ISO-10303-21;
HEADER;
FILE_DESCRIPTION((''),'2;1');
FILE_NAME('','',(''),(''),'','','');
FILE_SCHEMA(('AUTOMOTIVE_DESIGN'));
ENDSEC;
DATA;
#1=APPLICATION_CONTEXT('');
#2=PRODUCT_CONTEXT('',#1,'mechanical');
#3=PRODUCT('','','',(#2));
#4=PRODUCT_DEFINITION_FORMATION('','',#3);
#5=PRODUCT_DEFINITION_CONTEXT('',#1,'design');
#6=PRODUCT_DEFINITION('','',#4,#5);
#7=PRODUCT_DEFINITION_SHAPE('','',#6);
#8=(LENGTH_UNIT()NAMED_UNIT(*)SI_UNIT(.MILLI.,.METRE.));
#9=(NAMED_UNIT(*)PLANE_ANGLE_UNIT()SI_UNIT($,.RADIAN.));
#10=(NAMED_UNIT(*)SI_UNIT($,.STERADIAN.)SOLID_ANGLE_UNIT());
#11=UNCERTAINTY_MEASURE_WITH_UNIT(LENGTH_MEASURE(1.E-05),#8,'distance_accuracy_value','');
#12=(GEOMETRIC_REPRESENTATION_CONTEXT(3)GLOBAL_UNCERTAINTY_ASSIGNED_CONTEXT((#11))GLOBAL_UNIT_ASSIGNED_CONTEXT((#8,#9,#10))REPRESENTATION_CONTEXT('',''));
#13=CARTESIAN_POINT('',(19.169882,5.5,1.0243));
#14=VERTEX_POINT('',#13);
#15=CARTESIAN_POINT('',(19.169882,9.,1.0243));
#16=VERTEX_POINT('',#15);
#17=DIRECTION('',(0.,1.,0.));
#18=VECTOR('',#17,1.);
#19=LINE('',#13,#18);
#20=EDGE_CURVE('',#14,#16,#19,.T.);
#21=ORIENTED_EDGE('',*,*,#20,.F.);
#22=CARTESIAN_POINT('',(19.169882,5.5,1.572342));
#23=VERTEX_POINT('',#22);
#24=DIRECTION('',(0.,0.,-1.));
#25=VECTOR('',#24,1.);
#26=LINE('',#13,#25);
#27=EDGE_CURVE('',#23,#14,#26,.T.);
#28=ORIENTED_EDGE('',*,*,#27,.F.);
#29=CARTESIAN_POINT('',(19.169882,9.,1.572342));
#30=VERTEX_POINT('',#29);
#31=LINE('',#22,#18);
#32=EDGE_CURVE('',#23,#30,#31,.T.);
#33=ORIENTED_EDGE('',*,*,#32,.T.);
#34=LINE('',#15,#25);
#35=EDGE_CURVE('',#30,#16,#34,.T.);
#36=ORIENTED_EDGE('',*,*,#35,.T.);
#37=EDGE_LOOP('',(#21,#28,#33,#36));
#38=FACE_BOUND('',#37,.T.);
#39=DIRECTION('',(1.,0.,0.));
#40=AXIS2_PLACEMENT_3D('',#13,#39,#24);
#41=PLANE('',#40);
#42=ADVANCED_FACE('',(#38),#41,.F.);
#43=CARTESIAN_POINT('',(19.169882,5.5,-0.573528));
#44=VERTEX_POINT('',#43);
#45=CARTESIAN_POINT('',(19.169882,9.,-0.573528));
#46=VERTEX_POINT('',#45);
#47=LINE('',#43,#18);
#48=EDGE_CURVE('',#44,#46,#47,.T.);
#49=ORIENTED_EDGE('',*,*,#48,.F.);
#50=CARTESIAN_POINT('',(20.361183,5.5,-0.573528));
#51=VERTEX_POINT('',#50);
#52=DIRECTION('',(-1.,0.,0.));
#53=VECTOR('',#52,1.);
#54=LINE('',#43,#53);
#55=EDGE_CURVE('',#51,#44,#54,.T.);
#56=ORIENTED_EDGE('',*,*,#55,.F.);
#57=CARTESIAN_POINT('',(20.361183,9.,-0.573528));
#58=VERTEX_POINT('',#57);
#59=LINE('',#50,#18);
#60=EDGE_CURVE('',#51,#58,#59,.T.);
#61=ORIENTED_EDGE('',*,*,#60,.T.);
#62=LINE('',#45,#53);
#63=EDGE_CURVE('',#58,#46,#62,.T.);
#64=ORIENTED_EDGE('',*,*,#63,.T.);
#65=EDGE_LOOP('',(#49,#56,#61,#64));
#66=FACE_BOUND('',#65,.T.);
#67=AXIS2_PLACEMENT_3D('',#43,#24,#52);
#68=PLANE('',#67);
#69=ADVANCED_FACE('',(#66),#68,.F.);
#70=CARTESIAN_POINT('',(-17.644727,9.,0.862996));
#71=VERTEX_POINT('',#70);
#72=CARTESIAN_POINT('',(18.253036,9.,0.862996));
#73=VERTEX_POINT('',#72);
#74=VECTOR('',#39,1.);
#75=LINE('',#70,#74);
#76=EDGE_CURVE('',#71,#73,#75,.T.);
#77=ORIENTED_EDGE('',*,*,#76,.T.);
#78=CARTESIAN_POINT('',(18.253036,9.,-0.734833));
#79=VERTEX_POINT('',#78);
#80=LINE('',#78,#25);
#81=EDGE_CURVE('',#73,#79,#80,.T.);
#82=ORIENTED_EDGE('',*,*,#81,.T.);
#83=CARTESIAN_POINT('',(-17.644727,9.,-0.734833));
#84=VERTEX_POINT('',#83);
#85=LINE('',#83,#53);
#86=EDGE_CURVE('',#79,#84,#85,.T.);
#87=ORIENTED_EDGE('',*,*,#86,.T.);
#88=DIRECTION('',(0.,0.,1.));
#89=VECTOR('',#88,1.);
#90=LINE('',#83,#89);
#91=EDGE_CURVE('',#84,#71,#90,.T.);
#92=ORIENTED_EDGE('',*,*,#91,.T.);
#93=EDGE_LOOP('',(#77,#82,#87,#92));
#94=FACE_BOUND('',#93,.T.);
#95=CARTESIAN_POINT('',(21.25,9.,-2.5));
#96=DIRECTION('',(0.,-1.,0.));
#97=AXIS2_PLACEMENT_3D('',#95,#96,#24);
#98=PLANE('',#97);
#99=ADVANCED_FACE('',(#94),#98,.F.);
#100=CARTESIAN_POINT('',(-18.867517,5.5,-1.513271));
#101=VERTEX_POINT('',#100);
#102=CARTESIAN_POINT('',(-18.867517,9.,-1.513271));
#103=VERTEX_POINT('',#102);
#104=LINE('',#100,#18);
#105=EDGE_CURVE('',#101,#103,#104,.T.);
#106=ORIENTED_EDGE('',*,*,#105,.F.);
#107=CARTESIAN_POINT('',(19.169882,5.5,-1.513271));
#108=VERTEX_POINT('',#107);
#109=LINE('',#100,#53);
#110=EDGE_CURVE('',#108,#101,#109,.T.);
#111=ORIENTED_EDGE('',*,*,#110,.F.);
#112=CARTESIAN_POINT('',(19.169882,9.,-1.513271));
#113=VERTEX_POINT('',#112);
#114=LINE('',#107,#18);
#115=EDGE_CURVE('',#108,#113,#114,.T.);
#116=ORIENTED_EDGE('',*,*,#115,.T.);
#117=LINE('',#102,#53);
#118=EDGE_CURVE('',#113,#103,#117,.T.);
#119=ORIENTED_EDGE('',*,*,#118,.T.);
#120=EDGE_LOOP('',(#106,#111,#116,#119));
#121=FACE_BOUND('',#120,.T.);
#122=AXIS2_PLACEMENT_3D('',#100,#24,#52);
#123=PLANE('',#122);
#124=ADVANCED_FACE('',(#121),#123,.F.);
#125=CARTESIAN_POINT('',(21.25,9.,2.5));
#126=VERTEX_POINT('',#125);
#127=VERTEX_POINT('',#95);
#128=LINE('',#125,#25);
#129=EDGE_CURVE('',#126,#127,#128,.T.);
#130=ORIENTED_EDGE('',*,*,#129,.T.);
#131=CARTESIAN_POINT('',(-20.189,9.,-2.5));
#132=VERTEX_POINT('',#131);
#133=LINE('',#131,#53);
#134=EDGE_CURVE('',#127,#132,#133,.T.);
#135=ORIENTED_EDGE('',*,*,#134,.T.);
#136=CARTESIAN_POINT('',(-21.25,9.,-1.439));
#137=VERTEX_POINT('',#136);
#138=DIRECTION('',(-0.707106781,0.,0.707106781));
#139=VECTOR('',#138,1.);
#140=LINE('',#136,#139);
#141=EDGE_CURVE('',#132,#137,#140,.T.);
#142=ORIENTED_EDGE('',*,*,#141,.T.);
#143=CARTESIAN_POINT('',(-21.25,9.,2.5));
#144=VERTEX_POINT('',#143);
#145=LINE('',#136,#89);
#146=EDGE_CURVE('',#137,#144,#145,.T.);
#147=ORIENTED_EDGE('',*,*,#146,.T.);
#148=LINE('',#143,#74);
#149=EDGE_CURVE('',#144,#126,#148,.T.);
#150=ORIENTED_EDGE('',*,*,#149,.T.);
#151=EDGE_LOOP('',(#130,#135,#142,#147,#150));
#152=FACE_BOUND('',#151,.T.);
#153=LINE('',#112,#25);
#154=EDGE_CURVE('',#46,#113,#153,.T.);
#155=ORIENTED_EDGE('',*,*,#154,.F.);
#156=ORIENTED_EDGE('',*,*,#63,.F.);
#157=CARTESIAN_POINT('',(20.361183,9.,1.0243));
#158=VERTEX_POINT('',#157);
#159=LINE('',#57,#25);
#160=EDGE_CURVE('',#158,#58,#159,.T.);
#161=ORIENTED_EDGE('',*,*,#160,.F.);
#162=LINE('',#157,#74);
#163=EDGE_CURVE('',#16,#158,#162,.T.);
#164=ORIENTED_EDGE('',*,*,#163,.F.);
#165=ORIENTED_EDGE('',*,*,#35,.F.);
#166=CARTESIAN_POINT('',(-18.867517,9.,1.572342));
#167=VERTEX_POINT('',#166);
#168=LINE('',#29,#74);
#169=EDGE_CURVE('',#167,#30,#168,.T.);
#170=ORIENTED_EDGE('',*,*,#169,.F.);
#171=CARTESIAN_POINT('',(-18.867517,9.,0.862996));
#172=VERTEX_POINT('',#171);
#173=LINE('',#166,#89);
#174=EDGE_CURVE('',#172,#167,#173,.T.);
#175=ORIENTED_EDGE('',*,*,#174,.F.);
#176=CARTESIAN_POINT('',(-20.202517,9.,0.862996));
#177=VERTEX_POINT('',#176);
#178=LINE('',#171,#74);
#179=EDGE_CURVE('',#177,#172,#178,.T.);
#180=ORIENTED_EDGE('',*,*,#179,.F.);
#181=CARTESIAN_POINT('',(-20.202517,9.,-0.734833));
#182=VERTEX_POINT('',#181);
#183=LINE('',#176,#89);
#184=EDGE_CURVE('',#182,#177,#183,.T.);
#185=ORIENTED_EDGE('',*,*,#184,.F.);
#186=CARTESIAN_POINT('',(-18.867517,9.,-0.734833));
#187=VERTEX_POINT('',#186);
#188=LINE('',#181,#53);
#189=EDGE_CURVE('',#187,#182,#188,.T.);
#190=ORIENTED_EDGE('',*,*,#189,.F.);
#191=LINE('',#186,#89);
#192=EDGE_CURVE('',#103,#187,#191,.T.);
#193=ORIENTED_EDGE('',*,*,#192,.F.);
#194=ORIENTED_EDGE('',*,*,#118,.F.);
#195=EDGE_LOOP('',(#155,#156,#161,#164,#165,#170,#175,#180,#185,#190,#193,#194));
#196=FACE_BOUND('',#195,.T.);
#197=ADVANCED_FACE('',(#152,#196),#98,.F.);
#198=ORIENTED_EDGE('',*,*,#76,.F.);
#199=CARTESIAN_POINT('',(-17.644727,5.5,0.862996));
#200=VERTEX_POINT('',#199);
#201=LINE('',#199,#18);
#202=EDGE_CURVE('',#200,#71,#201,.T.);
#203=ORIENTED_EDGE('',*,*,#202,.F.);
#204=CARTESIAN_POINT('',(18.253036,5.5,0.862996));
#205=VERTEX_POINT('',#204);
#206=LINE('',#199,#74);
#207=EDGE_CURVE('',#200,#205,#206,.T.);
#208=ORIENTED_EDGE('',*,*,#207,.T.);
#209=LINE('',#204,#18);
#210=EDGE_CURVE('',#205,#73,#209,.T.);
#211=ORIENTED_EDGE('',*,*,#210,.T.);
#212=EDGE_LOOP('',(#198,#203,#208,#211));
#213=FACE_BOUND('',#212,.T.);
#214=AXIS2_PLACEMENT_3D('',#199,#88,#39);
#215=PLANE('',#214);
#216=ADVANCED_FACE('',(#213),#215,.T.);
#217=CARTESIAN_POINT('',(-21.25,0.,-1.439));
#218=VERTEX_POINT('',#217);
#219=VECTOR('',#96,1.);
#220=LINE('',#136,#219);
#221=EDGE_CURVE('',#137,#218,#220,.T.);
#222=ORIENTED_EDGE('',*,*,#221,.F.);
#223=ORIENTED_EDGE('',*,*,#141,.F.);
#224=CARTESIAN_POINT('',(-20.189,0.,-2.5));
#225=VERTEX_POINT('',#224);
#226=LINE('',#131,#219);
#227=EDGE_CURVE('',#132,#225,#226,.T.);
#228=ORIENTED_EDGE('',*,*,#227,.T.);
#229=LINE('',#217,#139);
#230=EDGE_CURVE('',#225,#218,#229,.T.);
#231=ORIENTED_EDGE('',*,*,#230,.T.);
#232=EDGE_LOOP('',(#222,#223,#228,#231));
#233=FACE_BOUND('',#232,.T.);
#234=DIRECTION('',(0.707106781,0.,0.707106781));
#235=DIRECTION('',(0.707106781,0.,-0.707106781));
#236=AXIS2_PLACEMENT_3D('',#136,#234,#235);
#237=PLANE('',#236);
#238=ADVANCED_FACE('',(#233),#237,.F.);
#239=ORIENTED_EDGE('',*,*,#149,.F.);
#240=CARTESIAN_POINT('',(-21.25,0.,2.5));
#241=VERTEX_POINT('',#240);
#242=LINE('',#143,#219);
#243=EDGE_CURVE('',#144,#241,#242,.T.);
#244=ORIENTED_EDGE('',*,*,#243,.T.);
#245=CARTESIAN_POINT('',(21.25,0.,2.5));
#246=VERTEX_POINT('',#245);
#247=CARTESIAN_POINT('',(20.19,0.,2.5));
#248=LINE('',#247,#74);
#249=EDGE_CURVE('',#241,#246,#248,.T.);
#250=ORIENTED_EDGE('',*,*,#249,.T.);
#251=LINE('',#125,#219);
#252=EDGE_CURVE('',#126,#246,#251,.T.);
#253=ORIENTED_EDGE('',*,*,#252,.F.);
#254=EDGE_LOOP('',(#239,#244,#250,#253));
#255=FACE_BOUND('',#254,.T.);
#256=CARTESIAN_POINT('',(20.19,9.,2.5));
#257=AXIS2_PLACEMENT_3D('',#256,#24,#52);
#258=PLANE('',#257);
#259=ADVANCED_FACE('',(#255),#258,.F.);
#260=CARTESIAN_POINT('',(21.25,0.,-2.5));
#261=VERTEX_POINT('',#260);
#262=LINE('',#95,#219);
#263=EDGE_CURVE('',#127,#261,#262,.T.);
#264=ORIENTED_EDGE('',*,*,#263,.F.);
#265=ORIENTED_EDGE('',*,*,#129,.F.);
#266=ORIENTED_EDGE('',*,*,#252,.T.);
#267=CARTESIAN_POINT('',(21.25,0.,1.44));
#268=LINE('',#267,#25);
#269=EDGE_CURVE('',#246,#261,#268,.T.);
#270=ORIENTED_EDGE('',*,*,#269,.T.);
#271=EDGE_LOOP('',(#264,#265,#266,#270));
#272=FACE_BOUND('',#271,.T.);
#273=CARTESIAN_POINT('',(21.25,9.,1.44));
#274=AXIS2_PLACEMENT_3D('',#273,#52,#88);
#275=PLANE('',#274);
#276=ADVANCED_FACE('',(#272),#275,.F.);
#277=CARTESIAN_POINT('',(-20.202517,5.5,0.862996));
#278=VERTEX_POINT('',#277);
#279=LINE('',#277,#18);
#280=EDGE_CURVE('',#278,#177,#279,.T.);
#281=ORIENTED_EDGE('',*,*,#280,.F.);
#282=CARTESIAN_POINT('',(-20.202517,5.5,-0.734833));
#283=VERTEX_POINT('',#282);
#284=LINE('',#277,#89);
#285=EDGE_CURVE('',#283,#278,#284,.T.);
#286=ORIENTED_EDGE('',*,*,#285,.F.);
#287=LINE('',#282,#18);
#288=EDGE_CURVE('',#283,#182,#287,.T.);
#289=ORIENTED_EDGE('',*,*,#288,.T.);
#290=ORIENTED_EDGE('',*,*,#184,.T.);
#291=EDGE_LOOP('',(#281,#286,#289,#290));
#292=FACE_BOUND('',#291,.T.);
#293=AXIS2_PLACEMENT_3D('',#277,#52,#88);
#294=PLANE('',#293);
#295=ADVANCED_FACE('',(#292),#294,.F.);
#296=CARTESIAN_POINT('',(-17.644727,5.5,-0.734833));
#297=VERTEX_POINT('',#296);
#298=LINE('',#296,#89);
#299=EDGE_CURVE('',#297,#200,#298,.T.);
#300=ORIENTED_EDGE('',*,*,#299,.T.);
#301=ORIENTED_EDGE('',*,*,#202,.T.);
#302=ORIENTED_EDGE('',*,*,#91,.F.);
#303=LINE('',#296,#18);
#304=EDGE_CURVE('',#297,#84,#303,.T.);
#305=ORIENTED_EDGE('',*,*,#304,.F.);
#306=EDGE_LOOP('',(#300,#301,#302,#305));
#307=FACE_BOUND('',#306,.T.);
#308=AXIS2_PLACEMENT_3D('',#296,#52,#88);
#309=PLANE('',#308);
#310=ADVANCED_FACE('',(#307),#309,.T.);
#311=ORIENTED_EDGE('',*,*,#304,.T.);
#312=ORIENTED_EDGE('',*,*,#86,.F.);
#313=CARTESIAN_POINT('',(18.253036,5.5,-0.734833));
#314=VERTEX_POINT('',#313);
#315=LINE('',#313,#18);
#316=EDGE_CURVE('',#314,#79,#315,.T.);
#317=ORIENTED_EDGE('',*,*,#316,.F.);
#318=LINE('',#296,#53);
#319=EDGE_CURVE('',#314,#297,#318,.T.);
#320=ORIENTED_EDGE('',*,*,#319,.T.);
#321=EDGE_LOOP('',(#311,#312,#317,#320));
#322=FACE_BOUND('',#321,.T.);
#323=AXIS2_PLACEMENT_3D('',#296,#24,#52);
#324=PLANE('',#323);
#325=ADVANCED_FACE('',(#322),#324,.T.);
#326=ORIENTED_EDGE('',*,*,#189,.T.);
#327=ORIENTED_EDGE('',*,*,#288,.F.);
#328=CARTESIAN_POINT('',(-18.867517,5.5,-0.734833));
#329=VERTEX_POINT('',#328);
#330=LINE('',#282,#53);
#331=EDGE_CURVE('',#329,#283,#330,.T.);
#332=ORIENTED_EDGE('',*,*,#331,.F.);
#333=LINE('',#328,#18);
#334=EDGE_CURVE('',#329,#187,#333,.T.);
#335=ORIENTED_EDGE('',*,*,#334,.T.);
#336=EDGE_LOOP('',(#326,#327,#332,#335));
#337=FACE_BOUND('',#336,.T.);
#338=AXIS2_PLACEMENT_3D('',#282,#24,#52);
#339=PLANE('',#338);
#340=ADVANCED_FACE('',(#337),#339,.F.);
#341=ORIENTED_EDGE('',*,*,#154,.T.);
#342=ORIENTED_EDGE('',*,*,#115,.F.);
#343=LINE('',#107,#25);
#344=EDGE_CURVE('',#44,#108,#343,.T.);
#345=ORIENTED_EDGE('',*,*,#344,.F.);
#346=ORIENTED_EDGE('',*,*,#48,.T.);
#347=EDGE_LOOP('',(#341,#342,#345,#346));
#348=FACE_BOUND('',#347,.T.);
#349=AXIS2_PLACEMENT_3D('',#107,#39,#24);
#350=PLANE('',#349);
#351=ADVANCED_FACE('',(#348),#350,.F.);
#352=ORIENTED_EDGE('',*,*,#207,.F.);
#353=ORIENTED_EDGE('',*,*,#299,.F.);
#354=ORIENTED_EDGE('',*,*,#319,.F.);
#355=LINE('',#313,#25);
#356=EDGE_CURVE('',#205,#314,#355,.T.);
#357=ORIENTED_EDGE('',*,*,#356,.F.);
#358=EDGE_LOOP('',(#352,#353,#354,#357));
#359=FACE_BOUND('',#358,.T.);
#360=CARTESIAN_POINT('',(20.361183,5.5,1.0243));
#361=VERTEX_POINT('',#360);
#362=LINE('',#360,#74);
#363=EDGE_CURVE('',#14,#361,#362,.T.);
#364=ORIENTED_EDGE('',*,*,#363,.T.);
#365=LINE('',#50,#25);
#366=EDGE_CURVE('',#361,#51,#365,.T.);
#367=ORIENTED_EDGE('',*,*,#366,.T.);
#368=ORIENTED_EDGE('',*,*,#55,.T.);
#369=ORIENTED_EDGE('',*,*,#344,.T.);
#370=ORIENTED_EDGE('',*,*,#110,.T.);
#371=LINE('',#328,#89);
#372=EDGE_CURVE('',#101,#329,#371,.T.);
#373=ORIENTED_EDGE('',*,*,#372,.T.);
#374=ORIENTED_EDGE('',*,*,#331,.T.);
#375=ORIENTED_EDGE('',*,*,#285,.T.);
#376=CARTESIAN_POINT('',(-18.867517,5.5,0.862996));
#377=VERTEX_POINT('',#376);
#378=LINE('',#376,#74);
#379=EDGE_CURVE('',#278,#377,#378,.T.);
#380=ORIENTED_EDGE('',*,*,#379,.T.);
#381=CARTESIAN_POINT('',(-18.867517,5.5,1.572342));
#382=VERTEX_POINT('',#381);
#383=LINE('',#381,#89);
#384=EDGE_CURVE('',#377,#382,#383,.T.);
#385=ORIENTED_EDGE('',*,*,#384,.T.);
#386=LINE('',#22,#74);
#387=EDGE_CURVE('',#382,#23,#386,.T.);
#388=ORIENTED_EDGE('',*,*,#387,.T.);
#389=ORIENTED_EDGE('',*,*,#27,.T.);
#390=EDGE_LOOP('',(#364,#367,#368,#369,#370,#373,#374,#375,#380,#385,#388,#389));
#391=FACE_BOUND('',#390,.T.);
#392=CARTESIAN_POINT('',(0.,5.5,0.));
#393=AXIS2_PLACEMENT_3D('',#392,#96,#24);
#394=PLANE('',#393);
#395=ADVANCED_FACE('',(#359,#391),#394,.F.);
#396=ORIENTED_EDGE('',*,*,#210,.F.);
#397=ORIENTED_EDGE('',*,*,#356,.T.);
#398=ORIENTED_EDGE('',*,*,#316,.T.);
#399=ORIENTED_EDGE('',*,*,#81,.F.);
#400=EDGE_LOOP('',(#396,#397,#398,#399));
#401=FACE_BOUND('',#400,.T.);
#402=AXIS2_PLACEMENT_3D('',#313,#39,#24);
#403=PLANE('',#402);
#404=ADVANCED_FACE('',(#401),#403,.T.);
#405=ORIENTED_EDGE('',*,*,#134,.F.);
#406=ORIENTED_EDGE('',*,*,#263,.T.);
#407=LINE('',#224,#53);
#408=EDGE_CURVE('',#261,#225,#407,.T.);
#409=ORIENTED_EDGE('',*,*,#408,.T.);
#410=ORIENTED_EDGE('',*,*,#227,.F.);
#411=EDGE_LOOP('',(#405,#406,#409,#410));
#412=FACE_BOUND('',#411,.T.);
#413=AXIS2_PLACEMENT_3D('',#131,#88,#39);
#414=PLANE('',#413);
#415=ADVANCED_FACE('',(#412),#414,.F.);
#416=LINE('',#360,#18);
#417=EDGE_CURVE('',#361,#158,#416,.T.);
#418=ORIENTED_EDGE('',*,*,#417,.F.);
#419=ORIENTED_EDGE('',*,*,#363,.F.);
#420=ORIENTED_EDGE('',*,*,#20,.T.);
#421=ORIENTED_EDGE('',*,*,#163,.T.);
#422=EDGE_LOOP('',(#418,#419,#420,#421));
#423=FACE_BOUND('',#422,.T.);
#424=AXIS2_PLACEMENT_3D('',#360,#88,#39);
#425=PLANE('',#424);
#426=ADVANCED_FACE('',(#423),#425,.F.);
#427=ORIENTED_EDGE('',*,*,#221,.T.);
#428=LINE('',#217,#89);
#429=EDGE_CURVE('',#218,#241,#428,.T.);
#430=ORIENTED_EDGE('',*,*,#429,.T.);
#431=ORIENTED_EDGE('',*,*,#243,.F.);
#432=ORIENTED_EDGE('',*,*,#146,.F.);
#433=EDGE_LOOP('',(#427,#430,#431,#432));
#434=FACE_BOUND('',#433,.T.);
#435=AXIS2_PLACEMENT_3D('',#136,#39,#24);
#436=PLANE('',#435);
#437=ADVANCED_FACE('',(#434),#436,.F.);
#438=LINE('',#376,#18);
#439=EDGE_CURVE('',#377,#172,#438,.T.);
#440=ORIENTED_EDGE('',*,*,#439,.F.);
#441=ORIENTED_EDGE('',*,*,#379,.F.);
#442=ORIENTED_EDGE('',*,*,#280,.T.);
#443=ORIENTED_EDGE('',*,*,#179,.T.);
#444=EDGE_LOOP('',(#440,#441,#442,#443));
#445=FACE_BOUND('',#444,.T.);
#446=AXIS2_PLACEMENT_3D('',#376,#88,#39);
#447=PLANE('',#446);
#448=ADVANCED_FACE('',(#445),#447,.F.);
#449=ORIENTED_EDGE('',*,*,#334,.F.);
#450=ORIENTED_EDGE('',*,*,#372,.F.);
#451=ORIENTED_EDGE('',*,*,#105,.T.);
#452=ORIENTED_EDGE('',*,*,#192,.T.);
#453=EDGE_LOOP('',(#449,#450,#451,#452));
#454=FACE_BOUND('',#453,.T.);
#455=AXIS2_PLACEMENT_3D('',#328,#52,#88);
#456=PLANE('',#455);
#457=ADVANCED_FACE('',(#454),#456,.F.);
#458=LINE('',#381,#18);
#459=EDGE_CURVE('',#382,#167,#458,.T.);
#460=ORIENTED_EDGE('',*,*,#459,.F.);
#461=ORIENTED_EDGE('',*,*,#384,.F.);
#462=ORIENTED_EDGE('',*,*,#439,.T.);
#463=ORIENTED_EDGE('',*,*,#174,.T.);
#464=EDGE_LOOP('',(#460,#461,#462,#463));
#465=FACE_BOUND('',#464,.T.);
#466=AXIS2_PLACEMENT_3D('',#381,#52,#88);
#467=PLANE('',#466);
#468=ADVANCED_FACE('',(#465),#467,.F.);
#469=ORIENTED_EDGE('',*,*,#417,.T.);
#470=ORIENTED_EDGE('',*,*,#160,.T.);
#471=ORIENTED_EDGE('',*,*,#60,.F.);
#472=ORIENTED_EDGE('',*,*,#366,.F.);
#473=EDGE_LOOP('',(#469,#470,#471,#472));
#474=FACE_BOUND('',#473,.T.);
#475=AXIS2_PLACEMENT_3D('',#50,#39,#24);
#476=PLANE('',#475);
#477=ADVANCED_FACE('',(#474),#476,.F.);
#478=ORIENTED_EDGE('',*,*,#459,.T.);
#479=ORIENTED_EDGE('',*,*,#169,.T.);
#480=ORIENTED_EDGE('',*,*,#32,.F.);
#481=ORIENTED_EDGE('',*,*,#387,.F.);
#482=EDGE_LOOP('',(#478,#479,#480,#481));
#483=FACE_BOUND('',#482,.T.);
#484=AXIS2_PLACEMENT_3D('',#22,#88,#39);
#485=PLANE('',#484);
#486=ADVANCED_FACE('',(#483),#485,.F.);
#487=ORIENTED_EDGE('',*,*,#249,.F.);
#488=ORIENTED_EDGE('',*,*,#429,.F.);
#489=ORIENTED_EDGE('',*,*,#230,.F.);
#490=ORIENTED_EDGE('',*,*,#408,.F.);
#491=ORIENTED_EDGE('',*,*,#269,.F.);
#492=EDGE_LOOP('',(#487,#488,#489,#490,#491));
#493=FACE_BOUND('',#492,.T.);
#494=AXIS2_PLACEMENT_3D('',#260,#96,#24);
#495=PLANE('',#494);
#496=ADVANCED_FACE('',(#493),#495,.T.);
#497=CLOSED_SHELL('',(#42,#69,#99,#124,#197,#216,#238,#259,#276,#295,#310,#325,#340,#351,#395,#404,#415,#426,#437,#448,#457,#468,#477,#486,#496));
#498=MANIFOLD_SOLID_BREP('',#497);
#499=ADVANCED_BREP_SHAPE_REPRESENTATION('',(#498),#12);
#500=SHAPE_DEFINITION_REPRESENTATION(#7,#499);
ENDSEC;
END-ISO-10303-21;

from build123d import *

# Parameters (mm, degrees)
SV_DEPTH           = 9
SKETCH3_W          = 35.897762959
SKETCH3_H          = 1.597828601
CUT_EXTRUDE1_DEPTH = 3.5


with BuildPart() as part:
    # Sketch1 → SV (new body)
    with BuildSketch(Plane(origin=(0, 0, 0), x_dir=(1, 0, 0), z_dir=(0, 1, 0))):
        Polygon((-20.189, 2.5), (21.25, 2.5), (21.25, -1.44), (21.25, -2.5), (20.19, -2.5), (-21.25, -2.5), (-21.25, 1.439), align=None)
    extrude(amount=SV_DEPTH)

    # Sketch3 → Cut-Extrude1 (cut)
    with BuildSketch(Plane(origin=(0, 9, 0), x_dir=(1, 0, 0), z_dir=(0, 1, 0))):
        Polygon((-20.202517392, 0.734832739), (-18.867516597, 0.734832739), (-18.867516597, 1.51327079), (19.169882457, 1.51327079), (19.169882457, 0.573528463), (20.36118295, 0.573528463), (20.36118295, -1.024300139), (19.169882457, -1.024300139), (19.169882457, -1.572342426), (-18.867516597, -1.572342426), (-18.867516597, -0.862995862), (-20.202517392, -0.862995862), align=None)
        with Locations((0.304154287, -0.064081561)):
            Rectangle(SKETCH3_W, SKETCH3_H, mode=Mode.SUBTRACT)
    extrude(amount=-CUT_EXTRUDE1_DEPTH, mode=Mode.SUBTRACT)


solid = part.part
